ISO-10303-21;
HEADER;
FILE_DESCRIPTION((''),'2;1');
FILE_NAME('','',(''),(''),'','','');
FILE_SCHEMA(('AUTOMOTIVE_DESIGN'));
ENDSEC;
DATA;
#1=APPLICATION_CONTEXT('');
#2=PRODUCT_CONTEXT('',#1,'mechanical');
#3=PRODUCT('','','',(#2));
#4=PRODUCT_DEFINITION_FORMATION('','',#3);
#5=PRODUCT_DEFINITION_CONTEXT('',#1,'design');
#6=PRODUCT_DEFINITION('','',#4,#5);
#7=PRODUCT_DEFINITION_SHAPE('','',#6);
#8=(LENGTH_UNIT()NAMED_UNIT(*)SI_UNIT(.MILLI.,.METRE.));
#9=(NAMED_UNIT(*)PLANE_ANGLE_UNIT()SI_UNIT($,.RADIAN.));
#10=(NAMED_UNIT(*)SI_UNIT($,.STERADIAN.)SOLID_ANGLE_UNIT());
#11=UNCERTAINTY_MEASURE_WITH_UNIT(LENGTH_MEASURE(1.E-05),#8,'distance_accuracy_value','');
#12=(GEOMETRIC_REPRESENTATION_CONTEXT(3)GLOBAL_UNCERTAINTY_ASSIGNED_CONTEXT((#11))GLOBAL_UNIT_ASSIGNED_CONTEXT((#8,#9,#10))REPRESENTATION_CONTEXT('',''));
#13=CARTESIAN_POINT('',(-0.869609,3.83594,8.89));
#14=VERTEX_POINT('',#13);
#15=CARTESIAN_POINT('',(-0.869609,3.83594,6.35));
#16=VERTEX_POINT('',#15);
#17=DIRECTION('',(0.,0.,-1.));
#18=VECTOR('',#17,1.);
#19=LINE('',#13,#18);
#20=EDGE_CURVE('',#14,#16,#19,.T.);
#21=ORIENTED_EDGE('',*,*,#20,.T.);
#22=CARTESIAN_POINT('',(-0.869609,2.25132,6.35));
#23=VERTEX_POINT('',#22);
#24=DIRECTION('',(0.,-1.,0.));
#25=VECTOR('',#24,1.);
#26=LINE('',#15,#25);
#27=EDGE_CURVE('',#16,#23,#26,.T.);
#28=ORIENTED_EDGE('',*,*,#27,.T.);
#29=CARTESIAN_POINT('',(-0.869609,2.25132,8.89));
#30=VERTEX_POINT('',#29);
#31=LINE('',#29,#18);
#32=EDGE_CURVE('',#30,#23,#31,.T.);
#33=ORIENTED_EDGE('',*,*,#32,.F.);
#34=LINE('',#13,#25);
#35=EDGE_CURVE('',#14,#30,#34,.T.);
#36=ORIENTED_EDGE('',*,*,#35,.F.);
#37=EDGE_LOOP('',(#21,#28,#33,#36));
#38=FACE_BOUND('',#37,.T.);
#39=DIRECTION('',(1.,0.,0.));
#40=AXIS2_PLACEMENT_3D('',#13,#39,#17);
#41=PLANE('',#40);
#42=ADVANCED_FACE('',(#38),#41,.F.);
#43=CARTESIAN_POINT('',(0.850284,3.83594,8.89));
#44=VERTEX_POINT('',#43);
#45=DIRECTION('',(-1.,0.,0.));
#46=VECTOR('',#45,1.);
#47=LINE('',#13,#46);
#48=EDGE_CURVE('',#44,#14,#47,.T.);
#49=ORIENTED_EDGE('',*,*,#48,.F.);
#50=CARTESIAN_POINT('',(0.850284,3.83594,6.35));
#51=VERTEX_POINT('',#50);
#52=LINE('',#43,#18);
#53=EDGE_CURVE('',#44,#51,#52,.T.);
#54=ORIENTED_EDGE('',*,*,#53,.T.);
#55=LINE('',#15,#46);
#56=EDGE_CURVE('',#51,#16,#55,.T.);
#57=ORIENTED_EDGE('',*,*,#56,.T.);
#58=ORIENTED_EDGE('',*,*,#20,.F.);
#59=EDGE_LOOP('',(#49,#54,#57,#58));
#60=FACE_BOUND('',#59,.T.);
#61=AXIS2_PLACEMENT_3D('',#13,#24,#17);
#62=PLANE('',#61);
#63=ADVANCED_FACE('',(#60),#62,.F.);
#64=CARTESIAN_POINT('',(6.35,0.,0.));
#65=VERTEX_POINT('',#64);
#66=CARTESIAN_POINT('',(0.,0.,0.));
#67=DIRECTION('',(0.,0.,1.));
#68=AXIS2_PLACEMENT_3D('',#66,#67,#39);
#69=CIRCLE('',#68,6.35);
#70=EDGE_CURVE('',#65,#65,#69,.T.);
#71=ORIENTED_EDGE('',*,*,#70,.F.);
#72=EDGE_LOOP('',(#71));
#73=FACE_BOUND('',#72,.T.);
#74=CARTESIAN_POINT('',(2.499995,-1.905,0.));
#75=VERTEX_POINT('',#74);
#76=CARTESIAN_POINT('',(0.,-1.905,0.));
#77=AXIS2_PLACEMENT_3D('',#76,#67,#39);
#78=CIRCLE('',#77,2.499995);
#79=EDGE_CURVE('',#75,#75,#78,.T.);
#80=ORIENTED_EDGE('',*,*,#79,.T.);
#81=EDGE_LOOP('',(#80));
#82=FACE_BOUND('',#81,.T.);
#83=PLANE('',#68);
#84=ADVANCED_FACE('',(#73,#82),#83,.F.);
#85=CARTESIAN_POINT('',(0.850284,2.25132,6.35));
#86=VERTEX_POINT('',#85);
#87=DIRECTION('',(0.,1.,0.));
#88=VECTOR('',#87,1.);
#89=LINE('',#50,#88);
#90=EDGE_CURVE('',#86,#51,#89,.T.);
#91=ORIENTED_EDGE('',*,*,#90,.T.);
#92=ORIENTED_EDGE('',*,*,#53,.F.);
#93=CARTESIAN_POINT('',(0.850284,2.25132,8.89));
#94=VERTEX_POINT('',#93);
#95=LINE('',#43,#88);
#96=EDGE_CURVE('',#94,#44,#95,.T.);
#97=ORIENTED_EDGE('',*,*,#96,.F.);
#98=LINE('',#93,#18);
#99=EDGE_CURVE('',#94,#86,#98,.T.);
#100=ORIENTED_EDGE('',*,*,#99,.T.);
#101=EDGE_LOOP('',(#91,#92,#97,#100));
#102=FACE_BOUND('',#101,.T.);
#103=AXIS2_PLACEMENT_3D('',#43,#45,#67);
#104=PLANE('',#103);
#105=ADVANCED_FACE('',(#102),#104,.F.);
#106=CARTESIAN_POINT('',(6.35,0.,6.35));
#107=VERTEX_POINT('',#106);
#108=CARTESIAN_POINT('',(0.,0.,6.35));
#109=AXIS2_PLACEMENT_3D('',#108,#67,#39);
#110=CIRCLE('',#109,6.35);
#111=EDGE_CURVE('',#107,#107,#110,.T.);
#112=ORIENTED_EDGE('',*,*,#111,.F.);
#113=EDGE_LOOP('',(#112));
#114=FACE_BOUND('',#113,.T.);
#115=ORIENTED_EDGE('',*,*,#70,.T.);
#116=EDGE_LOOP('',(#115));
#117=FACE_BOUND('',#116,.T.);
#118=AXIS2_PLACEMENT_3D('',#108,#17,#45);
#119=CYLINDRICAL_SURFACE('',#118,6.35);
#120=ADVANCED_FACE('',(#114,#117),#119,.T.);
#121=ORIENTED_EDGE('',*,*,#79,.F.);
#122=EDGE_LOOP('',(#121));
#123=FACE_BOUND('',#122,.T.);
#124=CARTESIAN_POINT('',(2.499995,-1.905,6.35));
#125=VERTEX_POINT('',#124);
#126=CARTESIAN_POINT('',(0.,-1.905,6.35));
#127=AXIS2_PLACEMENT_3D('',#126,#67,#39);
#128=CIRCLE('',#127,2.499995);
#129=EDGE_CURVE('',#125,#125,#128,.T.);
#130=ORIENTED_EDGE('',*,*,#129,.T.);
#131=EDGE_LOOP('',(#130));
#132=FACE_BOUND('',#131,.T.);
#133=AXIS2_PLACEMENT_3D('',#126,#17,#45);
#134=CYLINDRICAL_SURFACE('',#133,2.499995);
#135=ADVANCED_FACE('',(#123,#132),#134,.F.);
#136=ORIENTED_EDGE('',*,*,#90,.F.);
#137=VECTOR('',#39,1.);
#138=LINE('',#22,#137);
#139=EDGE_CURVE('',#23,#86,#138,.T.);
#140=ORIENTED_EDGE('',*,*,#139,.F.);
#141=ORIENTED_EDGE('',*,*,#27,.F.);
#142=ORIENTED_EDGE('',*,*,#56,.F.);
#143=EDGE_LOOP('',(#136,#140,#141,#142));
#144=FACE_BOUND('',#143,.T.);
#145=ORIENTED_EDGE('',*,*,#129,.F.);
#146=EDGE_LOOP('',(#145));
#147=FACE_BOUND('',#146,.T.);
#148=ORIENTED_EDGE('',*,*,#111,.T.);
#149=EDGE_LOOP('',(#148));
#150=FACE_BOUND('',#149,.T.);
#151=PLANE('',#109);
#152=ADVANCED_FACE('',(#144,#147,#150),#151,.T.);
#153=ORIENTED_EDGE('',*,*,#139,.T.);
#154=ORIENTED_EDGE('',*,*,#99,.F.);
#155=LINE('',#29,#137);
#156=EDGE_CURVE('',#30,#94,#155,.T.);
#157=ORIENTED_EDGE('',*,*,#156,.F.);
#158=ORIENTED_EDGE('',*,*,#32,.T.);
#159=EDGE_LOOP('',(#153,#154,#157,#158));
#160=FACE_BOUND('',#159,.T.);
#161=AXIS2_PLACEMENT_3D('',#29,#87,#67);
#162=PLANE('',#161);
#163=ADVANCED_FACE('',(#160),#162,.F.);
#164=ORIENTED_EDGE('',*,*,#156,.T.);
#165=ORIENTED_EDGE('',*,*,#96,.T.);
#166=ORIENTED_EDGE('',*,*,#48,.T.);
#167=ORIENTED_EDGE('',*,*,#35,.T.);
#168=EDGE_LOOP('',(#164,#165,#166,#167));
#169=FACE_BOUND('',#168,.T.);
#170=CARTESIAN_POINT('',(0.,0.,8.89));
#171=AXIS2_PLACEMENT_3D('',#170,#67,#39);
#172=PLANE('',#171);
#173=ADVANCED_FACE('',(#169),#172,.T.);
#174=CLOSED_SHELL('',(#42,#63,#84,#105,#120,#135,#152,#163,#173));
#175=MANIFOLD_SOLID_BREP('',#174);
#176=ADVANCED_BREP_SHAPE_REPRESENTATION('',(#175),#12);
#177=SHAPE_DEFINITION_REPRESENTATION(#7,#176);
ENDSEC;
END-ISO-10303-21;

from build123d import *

# Parameters (mm, degrees)
SKETCH1_R           = 6.35
SKETCH1_R_2         = 2.499995
BOSS_EXTRUDE1_DEPTH = 6.35
SKETCH2_W           = 1.71989263
SKETCH2_H           = 1.584620177
BOSS_EXTRUDE2_DEPTH = 2.54


with BuildPart() as part:
    # Sketch1 → Boss-Extrude1 (new body)
    with BuildSketch(Plane.XY):
        Circle(SKETCH1_R)
        with Locations((0, -1.905)):
            Circle(SKETCH1_R_2, mode=Mode.SUBTRACT)
    extrude(amount=BOSS_EXTRUDE1_DEPTH)

    # Sketch2 → Boss-Extrude2 (add)
    with BuildSketch(Plane.XY.offset(6.35)):
        with Locations((-0.009662318, 3.043630217)):
            Rectangle(SKETCH2_W, SKETCH2_H)
    extrude(amount=BOSS_EXTRUDE2_DEPTH)


solid = part.part
